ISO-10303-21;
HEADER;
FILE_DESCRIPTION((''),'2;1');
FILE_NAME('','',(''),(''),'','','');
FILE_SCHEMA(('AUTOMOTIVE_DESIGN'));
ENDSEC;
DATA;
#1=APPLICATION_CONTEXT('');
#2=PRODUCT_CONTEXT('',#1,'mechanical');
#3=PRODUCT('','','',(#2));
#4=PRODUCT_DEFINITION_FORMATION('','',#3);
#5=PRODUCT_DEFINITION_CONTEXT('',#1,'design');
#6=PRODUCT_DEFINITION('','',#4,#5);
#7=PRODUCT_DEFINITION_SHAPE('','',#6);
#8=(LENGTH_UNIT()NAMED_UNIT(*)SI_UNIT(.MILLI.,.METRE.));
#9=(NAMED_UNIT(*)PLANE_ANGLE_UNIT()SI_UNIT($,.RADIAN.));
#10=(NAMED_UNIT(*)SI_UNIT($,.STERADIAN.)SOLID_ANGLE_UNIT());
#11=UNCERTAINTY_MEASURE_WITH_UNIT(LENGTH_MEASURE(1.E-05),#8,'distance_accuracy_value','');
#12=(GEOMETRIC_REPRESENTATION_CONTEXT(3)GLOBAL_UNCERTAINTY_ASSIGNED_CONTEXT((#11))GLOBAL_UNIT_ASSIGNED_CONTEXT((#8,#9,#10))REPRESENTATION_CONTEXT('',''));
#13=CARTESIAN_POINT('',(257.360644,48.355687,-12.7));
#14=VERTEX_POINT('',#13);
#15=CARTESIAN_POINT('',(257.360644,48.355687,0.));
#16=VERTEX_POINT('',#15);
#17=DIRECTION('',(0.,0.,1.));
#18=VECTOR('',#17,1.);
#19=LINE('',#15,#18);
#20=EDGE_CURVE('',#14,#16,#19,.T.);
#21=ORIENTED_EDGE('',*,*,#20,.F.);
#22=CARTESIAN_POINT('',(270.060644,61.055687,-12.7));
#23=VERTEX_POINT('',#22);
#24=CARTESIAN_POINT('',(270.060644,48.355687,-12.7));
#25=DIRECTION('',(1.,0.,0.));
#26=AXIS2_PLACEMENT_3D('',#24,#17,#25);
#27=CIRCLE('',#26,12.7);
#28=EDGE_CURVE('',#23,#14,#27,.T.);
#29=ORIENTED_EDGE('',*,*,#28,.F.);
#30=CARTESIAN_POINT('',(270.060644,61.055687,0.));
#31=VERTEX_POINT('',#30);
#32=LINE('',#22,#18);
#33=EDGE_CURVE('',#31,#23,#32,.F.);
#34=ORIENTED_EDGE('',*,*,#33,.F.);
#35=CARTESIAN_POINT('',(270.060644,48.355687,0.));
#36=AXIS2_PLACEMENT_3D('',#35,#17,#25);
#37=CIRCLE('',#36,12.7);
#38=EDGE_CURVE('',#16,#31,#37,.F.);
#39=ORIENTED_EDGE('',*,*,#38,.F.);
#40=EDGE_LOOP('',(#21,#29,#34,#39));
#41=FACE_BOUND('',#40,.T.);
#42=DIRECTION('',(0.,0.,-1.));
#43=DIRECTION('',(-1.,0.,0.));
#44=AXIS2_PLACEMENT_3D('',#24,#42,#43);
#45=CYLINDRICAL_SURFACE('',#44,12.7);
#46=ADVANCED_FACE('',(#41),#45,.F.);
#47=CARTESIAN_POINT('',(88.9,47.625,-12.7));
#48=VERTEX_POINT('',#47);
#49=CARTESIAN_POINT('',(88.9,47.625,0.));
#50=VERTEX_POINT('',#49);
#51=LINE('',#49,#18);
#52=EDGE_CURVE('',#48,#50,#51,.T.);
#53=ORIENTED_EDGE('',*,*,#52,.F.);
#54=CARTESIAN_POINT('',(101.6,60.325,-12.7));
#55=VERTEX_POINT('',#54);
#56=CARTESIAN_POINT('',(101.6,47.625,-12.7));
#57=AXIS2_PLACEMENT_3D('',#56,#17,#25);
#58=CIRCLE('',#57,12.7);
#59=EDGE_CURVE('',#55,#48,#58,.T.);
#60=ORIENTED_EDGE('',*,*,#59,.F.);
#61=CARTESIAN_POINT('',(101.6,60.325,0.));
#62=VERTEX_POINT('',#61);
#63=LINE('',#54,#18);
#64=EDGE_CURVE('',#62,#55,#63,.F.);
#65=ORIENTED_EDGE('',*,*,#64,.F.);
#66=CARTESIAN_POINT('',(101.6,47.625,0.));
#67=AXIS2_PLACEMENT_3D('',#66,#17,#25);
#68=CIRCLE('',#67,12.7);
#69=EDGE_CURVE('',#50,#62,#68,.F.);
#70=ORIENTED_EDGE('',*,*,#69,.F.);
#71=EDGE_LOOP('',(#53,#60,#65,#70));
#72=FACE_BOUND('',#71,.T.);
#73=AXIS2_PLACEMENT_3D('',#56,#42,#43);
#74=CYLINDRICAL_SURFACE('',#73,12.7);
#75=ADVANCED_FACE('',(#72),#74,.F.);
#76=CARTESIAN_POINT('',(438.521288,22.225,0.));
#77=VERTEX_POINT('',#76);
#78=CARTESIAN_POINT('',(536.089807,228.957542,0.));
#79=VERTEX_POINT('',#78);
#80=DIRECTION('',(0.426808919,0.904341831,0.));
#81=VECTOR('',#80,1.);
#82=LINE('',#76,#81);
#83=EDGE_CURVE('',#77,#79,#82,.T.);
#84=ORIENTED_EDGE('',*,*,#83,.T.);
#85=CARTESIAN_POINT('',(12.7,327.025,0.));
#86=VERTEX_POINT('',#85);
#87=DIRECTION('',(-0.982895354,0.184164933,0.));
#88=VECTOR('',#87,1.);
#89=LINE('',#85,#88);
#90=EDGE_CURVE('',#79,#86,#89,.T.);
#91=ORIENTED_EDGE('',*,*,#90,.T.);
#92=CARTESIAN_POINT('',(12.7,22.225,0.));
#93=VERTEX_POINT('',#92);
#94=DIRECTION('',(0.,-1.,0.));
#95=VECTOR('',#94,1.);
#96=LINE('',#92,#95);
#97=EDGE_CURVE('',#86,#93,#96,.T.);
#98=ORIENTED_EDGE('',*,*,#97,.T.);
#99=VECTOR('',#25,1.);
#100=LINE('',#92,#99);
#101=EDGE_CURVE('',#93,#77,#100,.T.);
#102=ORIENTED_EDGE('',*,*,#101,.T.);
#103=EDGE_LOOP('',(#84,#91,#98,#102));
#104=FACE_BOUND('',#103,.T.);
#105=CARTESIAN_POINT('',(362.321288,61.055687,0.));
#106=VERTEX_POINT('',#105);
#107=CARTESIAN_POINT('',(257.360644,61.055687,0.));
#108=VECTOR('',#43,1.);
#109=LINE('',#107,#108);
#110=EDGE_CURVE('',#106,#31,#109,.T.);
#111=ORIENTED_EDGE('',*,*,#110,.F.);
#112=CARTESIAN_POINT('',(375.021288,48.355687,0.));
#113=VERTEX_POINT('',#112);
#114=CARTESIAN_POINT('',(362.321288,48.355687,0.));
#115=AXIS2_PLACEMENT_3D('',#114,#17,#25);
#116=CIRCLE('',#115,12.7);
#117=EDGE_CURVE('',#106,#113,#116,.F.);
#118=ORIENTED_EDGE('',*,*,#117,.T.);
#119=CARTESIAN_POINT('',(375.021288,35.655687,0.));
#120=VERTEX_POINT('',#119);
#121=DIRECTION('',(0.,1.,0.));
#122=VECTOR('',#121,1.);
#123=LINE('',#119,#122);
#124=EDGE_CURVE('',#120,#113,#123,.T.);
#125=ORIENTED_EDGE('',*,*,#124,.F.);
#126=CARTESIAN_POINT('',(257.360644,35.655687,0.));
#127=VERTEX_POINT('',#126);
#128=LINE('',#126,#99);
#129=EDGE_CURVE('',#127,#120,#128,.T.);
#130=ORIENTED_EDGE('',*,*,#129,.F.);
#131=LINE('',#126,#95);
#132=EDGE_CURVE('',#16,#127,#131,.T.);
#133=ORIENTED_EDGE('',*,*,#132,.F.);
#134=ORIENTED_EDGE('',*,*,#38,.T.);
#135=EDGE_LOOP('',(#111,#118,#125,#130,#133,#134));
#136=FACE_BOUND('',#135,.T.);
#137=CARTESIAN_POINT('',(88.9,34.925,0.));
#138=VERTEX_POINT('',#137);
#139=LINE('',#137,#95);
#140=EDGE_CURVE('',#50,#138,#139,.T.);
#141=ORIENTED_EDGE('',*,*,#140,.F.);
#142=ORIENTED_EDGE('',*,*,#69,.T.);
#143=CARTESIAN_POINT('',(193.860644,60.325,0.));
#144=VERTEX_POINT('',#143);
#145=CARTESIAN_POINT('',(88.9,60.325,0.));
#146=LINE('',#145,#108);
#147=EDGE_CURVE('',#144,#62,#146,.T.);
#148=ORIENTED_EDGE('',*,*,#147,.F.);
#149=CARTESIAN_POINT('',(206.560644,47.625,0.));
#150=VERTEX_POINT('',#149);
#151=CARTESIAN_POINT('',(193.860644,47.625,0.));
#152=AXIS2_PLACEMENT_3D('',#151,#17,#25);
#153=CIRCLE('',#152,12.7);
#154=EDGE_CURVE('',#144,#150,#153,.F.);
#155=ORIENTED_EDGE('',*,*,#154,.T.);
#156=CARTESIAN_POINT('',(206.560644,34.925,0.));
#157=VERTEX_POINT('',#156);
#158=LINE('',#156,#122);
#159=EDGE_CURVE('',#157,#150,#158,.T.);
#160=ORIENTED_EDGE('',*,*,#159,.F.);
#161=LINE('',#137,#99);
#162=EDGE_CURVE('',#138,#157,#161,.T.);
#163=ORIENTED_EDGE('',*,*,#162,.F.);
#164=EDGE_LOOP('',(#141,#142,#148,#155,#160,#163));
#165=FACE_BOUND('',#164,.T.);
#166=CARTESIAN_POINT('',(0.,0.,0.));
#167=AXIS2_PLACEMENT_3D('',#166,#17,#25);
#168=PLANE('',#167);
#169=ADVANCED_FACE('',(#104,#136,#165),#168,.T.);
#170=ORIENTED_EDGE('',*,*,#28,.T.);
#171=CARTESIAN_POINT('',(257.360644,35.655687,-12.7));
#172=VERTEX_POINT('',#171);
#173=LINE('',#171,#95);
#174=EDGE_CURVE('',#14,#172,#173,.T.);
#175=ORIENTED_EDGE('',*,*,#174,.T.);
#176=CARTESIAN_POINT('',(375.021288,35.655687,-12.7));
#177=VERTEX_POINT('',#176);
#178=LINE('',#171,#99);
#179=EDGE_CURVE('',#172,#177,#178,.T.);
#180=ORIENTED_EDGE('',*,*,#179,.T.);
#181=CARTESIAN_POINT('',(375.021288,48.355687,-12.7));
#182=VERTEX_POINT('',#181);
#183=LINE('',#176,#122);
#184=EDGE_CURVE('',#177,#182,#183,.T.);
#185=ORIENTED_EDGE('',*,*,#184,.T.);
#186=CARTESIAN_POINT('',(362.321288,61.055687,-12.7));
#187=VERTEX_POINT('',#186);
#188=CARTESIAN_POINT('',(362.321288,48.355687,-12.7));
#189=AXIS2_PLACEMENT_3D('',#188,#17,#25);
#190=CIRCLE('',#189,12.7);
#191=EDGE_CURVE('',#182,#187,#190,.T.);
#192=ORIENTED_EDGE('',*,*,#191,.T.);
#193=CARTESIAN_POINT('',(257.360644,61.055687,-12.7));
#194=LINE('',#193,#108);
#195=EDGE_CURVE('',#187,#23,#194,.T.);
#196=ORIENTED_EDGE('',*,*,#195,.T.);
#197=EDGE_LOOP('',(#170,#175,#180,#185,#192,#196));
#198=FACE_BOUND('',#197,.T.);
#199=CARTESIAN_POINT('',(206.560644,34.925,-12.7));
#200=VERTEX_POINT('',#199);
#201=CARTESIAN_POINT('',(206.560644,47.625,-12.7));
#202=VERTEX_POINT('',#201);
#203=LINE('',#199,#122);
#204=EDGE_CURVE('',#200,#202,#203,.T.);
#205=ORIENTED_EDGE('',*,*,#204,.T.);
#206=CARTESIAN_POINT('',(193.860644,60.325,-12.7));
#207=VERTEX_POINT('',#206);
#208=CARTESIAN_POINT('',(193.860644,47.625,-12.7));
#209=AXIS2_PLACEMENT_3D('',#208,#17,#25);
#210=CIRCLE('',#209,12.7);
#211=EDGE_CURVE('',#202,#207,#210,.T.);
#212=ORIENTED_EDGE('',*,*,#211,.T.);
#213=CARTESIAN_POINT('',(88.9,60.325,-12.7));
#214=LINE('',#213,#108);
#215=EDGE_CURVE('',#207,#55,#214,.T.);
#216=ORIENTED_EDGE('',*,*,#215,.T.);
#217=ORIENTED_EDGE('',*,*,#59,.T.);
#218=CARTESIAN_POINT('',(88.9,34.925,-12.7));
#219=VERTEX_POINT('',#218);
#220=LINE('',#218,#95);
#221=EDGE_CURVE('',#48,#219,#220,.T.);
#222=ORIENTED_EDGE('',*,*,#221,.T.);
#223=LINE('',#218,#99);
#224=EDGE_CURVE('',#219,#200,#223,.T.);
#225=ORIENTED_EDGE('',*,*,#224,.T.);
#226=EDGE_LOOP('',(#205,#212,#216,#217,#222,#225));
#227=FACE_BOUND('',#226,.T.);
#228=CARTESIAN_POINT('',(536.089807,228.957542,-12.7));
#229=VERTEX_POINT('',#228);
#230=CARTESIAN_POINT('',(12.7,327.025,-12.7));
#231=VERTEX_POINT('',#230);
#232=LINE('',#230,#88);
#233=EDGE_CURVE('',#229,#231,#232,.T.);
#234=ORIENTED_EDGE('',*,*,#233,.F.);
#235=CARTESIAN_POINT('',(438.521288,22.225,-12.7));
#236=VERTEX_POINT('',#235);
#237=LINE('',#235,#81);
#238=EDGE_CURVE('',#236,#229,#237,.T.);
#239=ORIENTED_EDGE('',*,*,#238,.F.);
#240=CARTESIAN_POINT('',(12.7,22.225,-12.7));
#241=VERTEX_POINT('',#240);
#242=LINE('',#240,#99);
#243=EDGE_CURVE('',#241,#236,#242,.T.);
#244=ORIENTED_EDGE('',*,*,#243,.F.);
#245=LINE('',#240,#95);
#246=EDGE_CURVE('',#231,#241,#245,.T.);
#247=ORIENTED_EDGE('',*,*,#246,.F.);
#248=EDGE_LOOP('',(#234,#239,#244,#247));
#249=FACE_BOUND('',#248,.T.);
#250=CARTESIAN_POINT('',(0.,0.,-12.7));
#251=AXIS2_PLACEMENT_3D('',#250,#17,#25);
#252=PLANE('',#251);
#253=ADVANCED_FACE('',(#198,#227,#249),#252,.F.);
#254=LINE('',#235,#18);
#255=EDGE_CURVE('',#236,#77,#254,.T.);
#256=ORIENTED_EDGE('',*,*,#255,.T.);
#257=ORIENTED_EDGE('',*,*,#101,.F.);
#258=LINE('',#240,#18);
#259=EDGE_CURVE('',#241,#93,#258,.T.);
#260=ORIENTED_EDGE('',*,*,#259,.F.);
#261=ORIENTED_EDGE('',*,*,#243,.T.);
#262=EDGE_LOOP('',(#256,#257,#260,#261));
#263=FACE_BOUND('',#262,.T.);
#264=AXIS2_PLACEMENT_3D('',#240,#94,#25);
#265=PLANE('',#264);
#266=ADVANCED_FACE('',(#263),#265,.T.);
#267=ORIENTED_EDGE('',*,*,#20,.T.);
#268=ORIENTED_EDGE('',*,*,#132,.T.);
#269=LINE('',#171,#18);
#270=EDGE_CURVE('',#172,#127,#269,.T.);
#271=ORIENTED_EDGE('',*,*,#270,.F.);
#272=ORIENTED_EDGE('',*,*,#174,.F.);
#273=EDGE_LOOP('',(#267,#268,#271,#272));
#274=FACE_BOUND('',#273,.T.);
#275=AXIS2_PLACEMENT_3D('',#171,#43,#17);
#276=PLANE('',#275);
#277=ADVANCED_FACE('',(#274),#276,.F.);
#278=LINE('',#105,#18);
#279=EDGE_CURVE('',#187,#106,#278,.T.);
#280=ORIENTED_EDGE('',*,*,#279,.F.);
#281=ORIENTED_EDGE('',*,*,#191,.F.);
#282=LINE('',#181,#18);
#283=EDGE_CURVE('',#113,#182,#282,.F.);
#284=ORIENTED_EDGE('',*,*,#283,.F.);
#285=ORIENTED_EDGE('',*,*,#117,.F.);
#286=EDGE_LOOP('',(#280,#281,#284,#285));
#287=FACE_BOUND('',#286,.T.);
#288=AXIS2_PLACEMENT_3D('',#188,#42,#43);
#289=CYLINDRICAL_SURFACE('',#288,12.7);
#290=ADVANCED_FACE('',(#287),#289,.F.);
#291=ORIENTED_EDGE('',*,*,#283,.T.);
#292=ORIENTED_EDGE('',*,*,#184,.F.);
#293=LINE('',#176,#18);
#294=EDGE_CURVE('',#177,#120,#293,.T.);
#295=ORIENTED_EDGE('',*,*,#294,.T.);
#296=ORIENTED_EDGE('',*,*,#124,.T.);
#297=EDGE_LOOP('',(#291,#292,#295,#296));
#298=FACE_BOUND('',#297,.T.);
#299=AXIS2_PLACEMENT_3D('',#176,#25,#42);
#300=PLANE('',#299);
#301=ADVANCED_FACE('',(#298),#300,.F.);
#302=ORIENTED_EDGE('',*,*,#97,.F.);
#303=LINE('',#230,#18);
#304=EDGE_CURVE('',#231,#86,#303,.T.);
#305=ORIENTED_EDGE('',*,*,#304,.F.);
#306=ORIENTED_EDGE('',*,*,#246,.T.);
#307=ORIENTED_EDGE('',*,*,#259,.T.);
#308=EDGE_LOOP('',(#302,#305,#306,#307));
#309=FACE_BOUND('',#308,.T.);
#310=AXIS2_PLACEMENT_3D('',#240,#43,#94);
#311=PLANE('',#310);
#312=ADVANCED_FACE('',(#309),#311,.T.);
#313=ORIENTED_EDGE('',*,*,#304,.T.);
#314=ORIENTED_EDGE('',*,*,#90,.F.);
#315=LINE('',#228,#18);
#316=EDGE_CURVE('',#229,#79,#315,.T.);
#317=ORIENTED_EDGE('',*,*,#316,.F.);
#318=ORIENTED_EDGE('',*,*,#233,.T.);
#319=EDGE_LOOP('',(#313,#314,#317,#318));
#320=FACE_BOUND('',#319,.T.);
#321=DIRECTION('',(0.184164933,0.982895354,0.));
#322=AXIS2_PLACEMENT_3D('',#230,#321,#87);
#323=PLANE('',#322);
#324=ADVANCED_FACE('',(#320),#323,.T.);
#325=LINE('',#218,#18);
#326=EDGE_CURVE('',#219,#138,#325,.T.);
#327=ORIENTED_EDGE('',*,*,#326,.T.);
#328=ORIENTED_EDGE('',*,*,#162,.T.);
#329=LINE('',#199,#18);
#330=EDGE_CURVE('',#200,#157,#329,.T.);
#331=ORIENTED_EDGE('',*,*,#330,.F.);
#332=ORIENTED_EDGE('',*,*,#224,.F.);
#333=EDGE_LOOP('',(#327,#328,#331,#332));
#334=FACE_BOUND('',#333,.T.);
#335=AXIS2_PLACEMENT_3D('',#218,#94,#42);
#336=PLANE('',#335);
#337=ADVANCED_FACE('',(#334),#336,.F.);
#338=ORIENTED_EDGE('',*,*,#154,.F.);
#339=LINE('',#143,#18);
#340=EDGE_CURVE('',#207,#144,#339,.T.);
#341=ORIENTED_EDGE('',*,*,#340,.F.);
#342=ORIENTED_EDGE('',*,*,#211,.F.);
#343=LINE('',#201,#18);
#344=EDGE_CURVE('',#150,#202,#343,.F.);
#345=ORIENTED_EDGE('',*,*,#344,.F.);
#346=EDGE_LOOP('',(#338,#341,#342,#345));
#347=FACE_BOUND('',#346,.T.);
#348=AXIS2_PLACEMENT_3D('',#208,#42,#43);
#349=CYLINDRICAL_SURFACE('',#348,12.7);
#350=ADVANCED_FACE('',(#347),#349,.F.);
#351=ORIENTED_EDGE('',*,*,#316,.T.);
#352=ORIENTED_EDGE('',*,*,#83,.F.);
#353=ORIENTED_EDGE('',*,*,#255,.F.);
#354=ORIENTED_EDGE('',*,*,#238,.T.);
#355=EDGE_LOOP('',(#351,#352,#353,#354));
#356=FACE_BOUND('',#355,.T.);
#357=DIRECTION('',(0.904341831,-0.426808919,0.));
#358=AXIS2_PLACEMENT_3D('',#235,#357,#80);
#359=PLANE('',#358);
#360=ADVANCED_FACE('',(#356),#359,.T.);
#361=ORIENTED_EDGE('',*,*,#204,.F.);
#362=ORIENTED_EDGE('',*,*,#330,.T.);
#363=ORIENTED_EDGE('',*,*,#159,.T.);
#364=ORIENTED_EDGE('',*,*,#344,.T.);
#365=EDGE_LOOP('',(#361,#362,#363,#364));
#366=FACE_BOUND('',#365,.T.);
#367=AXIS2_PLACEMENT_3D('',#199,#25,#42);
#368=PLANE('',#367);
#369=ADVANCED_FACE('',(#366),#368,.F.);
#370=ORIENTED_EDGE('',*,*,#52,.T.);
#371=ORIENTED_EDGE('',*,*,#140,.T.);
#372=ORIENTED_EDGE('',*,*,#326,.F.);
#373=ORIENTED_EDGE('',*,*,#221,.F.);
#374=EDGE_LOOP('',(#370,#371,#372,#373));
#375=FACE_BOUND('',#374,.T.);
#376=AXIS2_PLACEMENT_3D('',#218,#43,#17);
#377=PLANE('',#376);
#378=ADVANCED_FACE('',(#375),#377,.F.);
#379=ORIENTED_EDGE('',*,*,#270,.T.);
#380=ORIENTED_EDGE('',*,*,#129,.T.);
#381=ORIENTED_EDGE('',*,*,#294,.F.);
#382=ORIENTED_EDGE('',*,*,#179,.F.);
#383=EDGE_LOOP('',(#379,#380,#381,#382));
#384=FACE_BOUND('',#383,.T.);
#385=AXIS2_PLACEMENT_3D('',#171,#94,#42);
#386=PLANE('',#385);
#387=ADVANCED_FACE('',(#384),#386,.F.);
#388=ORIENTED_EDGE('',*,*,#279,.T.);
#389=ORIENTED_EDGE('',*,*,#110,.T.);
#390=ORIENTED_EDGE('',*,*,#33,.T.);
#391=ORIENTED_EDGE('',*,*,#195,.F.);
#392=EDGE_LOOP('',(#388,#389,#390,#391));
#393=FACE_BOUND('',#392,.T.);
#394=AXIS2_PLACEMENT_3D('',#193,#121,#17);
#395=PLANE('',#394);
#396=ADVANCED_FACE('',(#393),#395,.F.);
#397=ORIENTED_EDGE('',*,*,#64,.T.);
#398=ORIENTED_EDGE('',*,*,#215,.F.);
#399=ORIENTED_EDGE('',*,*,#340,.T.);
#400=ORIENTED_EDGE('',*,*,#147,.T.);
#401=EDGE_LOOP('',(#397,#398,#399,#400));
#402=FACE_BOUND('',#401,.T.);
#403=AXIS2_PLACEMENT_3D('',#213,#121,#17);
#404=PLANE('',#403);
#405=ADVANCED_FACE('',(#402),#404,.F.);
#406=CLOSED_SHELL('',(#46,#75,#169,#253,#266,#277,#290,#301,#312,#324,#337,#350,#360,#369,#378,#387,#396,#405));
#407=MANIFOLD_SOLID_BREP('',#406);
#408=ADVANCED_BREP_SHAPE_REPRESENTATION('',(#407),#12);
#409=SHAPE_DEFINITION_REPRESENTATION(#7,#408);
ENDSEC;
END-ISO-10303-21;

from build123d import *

# Parameters (mm, degrees)
BOSS_EXTRUDE1_DEPTH = 12.7
SKETCH2_W           = 117.66064382
SKETCH2_H           = 25.4
CUT_EXTRUDE1_DEPTH  = 13.7
FILLET1_R           = 12.7


with BuildPart() as part:
    # Sketch1 → Boss-Extrude1 (new body)
    with BuildSketch(Plane.XY):
        Polygon((12.7, 22.225), (12.7, 327.025), (536.089806585, 228.957542458), (438.52128764, 22.225), align=None)
    extrude(amount=-BOSS_EXTRUDE1_DEPTH)

    # Sketch2 → Cut-Extrude1 (cut, through all)
    with BuildSketch(Plane.XY):
        with Locations((147.73032191, 47.625)):
            Rectangle(SKETCH2_W, SKETCH2_H)
        with Locations((316.19096573, 48.355687107)):
            Rectangle(SKETCH2_W, SKETCH2_H)
    extrude(amount=-CUT_EXTRUDE1_DEPTH, mode=Mode.SUBTRACT)

    # Fillet1
    fillet1_edges = [part.edges().sort_by_distance(p)[0] for p in [
        (88.9, 60.325, -6.35),
        (206.56064382, 60.325, -6.35),
        (257.36064382, 61.055687107, -6.35),
        (375.02128764, 61.055687107, -6.35),
    ]]
    fillet(fillet1_edges, radius=FILLET1_R)


solid = part.part
